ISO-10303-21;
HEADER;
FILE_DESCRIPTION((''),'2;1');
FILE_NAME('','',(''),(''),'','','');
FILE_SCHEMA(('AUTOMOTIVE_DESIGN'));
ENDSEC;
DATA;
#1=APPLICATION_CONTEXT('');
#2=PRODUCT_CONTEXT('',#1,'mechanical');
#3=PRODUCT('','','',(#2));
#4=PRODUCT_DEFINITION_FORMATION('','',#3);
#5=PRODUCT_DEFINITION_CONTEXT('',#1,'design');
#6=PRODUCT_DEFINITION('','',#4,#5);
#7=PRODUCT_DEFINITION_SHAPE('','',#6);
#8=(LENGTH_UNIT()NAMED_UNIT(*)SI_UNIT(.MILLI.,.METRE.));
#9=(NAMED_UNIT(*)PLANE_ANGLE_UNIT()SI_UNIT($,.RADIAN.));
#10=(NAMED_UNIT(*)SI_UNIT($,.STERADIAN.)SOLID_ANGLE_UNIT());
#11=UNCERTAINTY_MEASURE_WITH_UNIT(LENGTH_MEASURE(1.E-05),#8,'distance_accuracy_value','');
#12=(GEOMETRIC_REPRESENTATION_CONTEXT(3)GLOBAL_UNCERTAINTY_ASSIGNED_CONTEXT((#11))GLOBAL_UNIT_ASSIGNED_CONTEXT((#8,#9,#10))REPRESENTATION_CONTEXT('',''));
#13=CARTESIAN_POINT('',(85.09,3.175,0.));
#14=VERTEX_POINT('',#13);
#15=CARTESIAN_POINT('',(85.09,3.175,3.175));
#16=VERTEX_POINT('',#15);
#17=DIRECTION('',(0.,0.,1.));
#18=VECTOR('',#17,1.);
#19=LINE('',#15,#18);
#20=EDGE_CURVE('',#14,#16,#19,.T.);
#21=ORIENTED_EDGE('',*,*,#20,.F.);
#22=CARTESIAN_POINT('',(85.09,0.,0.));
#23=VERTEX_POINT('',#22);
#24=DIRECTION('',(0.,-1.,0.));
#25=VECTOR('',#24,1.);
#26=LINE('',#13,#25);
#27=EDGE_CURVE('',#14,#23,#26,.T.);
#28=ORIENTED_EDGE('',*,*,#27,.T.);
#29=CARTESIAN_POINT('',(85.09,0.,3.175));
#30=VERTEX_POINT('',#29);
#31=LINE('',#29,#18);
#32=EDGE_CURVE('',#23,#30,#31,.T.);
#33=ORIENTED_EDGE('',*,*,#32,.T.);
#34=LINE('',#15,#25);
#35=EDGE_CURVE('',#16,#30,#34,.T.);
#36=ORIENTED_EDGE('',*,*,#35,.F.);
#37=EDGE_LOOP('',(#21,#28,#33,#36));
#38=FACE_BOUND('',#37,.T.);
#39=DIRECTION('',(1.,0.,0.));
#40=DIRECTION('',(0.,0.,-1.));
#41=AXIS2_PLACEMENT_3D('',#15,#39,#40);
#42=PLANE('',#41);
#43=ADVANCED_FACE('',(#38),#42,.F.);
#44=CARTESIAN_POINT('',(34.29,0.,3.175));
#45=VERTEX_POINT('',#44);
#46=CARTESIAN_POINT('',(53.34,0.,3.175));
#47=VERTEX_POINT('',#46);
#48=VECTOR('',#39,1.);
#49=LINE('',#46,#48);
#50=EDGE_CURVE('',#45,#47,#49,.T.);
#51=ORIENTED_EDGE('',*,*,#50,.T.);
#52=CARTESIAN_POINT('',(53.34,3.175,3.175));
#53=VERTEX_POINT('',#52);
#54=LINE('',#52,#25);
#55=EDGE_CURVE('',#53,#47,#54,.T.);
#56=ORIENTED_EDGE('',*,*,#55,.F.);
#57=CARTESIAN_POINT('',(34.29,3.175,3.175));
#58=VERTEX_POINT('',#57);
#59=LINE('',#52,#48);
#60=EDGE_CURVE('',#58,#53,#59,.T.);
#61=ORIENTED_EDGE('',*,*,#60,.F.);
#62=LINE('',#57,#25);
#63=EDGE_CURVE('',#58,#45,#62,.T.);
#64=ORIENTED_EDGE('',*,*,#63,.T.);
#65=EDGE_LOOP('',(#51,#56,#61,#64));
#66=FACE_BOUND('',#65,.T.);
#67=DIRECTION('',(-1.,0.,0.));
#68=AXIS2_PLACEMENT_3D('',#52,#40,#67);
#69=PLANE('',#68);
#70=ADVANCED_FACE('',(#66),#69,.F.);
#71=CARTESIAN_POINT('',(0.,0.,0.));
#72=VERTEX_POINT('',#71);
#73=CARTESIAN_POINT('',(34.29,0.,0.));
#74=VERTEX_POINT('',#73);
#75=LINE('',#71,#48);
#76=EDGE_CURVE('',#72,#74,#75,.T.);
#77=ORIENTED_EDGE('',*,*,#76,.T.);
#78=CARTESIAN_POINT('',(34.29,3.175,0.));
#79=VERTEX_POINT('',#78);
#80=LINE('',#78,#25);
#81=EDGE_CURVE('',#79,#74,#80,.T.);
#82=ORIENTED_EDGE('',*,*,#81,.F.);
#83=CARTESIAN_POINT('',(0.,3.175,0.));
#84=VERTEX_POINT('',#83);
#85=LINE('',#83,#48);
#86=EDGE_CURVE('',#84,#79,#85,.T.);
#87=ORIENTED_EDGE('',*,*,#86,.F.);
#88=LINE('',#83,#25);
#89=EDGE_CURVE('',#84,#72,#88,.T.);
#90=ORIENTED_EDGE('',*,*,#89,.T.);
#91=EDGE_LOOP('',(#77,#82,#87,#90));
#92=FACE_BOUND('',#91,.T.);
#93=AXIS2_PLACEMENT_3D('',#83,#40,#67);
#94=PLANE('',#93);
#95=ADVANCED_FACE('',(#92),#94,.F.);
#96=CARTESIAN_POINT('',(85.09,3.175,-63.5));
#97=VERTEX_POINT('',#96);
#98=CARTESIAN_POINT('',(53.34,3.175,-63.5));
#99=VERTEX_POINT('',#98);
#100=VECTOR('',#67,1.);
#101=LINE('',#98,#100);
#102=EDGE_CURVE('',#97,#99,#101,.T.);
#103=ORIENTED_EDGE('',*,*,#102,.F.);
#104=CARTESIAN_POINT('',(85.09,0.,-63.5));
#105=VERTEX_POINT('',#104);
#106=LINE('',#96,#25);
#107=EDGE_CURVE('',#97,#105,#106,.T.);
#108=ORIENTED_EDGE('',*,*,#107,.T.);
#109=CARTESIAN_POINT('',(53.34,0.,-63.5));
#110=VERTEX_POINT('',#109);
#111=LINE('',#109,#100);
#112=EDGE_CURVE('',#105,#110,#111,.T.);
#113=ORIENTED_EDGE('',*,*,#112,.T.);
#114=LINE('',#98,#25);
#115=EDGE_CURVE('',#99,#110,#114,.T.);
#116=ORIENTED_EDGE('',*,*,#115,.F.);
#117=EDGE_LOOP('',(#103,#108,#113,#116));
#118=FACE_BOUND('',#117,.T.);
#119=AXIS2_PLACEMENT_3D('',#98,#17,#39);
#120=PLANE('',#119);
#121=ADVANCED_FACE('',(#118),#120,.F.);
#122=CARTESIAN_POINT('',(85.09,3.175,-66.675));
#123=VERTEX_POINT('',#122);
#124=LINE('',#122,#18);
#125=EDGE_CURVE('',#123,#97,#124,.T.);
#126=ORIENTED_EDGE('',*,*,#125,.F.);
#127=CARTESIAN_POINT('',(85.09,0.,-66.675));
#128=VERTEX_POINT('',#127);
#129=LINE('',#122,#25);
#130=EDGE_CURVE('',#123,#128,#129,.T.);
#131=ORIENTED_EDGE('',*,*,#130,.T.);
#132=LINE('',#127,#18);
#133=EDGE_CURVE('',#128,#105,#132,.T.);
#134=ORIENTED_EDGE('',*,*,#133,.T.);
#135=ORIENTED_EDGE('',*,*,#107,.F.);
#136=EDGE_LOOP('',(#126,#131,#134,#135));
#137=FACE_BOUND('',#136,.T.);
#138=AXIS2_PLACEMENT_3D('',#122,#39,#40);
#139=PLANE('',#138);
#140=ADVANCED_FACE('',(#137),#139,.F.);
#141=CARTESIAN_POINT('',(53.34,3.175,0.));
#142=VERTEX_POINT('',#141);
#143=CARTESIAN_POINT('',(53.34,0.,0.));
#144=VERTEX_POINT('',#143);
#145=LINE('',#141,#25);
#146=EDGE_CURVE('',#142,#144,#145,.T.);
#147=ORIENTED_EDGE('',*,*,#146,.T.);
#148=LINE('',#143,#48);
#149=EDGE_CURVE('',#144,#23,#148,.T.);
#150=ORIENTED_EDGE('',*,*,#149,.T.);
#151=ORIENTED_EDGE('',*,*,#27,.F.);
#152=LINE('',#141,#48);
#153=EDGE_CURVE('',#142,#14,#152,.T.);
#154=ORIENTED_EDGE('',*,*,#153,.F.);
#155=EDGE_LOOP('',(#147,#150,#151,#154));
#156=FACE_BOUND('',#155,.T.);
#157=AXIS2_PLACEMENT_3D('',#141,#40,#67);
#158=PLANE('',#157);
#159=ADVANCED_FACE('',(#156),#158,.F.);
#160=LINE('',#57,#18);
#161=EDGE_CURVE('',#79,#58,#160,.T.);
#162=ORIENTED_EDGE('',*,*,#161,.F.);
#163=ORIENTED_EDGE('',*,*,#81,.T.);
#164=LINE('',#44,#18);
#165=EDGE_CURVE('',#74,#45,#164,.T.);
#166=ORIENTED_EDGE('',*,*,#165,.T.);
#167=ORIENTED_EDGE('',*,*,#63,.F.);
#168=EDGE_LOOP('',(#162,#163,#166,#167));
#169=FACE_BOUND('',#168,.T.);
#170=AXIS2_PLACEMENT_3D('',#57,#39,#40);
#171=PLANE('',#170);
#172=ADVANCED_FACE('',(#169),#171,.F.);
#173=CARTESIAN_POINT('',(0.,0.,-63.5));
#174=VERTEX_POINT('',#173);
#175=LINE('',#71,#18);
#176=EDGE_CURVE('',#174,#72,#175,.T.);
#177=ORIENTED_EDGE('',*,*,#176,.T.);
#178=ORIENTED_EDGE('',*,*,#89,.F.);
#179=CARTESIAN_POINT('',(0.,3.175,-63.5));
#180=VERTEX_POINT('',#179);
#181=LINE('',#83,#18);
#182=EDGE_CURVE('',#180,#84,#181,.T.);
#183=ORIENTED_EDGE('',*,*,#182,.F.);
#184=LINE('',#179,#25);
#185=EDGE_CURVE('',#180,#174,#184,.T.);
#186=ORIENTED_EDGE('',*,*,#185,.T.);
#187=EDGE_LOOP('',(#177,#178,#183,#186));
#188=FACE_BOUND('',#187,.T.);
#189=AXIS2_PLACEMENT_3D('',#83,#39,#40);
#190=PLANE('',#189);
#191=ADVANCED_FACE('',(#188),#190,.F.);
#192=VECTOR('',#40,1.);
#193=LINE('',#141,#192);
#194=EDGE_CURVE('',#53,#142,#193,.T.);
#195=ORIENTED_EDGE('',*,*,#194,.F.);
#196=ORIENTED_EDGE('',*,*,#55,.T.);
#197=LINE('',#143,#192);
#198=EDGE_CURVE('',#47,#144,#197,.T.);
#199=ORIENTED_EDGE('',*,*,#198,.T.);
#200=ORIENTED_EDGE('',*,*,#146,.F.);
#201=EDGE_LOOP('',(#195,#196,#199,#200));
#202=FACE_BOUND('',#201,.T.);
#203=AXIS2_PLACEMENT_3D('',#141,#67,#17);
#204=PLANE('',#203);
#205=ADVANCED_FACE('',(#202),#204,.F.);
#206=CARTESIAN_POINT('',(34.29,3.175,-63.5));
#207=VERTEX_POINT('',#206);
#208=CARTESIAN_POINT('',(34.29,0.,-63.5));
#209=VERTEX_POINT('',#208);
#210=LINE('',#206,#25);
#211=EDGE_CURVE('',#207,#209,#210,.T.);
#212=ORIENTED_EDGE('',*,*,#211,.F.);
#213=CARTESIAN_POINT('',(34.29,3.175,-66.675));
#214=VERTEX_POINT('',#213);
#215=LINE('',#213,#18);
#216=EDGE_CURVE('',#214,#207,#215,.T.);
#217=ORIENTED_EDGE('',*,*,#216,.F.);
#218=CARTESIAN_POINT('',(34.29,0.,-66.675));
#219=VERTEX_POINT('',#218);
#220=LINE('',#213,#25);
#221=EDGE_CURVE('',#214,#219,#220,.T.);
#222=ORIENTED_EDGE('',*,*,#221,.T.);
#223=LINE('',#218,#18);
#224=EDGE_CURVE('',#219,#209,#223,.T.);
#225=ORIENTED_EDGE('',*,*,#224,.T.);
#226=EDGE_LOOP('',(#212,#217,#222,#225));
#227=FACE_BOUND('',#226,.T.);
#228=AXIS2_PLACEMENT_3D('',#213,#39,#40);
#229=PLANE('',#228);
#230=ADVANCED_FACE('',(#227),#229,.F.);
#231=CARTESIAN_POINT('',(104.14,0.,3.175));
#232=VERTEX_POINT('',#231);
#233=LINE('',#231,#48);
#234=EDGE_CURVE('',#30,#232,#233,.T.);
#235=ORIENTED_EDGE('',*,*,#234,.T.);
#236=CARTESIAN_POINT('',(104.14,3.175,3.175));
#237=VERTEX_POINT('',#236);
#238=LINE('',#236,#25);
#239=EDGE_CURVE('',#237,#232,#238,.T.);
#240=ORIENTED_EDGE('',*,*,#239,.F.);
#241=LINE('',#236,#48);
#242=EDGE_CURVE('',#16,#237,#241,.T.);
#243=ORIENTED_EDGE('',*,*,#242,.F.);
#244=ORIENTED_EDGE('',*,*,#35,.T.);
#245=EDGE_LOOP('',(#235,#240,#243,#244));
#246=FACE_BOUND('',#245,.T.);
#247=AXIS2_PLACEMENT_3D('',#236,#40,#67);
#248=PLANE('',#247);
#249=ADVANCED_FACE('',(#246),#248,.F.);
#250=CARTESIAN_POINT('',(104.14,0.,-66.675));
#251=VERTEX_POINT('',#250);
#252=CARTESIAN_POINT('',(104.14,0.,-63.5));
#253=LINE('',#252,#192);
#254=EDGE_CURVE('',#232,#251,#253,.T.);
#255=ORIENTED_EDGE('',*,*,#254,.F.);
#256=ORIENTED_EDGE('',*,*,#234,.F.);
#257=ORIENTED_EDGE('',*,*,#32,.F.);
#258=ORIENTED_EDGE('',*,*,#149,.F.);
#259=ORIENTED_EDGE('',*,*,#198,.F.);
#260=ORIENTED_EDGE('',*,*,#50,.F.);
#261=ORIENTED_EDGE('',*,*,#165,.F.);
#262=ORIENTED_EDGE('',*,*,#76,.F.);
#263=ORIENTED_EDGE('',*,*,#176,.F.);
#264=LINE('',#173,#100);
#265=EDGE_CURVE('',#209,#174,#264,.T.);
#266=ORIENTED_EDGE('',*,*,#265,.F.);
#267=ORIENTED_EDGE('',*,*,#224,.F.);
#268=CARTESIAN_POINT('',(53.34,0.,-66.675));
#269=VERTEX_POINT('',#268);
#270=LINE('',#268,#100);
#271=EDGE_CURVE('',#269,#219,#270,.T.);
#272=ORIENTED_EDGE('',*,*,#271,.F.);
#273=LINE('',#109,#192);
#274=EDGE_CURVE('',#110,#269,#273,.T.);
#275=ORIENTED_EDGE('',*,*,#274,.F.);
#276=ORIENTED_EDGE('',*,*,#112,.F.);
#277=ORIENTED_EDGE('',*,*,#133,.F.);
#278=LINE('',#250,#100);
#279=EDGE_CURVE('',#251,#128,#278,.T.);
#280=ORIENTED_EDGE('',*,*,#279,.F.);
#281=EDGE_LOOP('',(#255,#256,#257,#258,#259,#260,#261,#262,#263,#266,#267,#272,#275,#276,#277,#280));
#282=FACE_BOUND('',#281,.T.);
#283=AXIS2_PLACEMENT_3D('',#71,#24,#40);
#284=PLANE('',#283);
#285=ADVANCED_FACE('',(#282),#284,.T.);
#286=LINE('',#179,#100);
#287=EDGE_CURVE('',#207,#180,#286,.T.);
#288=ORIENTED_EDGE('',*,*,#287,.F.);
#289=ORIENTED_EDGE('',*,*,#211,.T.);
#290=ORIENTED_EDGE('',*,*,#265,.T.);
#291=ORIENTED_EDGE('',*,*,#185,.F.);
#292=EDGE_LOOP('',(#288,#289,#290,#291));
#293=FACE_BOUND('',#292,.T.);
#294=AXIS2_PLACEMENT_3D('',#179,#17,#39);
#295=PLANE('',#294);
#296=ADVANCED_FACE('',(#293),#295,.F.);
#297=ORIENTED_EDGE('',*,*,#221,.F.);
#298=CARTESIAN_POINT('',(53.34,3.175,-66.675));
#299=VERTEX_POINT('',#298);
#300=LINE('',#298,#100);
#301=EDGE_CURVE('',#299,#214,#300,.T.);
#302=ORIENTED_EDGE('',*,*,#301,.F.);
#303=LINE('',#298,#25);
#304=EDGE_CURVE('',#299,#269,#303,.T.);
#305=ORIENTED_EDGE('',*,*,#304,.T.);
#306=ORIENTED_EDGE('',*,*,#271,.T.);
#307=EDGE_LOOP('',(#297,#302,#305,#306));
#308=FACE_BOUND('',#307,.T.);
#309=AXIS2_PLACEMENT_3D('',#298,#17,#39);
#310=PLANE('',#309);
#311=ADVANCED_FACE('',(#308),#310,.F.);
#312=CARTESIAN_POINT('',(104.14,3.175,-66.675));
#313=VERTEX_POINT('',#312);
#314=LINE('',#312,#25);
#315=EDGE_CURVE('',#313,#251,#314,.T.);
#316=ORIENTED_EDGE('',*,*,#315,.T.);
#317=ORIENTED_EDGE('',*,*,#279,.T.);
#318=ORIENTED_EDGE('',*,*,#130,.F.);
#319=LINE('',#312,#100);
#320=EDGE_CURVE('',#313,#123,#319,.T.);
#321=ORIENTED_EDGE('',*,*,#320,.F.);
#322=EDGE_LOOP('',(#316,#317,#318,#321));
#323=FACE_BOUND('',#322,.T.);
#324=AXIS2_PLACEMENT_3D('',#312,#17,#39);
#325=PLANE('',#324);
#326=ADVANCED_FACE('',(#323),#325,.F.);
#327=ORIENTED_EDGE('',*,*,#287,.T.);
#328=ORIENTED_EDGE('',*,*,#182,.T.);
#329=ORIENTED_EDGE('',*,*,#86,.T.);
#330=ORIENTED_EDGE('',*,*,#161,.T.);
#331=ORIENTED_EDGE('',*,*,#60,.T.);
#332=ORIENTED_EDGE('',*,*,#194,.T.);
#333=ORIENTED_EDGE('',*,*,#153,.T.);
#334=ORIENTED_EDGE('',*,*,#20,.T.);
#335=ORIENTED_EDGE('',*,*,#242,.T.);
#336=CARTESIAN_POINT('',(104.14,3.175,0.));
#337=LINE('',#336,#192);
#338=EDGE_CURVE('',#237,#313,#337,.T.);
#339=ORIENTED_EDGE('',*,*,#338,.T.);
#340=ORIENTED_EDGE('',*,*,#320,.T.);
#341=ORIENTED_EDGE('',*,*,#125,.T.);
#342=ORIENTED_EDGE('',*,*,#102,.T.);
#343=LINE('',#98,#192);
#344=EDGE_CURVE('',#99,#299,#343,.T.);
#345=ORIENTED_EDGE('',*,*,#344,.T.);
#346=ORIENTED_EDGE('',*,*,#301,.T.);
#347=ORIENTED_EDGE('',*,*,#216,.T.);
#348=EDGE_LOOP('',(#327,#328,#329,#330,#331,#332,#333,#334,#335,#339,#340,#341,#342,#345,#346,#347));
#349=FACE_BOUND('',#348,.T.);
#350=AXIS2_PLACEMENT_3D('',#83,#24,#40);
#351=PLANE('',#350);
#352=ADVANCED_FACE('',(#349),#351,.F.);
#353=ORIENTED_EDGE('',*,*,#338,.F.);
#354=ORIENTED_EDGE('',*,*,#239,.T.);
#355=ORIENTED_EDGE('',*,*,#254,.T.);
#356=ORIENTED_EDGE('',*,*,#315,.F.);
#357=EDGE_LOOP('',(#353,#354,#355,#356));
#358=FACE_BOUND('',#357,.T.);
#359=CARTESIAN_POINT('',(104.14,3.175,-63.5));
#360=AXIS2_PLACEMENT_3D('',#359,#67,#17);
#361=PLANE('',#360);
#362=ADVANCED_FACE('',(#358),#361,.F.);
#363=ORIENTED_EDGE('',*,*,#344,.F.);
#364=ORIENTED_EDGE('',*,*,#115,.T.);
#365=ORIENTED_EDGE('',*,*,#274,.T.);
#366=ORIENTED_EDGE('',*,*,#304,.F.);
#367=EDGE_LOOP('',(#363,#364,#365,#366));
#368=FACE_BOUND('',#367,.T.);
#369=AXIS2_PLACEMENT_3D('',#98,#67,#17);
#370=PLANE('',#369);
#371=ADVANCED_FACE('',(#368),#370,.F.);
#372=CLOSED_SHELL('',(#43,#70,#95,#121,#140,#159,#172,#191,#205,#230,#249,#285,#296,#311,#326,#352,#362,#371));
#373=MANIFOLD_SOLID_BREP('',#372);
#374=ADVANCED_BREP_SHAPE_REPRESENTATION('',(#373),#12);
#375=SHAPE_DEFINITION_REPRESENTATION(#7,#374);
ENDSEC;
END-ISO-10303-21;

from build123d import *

# Parameters (mm, degrees)
BOSS_EXTRUDE1_DEPTH = 3.175


with BuildPart() as part:
    # Sketch1 → Boss-Extrude1 (new body)
    with BuildSketch(Plane(origin=(0, 0, 0), x_dir=(1, 0, 0), z_dir=(0, 1, 0))):
        Polygon((104.14, 63.5), (104.14, 66.675), (85.09, 66.675), (85.09, 63.5), (53.34, 63.5), (53.34, 66.675), (34.29, 66.675), (34.29, 63.5), (0, 63.5), (0, 0), (34.29, 0), (34.29, -3.175), (53.34, -3.175), (53.34, 0), (85.09, 0), (85.09, -3.175), (104.14, -3.175), (104.14, 0), align=None)
    extrude(amount=BOSS_EXTRUDE1_DEPTH)


solid = part.part
